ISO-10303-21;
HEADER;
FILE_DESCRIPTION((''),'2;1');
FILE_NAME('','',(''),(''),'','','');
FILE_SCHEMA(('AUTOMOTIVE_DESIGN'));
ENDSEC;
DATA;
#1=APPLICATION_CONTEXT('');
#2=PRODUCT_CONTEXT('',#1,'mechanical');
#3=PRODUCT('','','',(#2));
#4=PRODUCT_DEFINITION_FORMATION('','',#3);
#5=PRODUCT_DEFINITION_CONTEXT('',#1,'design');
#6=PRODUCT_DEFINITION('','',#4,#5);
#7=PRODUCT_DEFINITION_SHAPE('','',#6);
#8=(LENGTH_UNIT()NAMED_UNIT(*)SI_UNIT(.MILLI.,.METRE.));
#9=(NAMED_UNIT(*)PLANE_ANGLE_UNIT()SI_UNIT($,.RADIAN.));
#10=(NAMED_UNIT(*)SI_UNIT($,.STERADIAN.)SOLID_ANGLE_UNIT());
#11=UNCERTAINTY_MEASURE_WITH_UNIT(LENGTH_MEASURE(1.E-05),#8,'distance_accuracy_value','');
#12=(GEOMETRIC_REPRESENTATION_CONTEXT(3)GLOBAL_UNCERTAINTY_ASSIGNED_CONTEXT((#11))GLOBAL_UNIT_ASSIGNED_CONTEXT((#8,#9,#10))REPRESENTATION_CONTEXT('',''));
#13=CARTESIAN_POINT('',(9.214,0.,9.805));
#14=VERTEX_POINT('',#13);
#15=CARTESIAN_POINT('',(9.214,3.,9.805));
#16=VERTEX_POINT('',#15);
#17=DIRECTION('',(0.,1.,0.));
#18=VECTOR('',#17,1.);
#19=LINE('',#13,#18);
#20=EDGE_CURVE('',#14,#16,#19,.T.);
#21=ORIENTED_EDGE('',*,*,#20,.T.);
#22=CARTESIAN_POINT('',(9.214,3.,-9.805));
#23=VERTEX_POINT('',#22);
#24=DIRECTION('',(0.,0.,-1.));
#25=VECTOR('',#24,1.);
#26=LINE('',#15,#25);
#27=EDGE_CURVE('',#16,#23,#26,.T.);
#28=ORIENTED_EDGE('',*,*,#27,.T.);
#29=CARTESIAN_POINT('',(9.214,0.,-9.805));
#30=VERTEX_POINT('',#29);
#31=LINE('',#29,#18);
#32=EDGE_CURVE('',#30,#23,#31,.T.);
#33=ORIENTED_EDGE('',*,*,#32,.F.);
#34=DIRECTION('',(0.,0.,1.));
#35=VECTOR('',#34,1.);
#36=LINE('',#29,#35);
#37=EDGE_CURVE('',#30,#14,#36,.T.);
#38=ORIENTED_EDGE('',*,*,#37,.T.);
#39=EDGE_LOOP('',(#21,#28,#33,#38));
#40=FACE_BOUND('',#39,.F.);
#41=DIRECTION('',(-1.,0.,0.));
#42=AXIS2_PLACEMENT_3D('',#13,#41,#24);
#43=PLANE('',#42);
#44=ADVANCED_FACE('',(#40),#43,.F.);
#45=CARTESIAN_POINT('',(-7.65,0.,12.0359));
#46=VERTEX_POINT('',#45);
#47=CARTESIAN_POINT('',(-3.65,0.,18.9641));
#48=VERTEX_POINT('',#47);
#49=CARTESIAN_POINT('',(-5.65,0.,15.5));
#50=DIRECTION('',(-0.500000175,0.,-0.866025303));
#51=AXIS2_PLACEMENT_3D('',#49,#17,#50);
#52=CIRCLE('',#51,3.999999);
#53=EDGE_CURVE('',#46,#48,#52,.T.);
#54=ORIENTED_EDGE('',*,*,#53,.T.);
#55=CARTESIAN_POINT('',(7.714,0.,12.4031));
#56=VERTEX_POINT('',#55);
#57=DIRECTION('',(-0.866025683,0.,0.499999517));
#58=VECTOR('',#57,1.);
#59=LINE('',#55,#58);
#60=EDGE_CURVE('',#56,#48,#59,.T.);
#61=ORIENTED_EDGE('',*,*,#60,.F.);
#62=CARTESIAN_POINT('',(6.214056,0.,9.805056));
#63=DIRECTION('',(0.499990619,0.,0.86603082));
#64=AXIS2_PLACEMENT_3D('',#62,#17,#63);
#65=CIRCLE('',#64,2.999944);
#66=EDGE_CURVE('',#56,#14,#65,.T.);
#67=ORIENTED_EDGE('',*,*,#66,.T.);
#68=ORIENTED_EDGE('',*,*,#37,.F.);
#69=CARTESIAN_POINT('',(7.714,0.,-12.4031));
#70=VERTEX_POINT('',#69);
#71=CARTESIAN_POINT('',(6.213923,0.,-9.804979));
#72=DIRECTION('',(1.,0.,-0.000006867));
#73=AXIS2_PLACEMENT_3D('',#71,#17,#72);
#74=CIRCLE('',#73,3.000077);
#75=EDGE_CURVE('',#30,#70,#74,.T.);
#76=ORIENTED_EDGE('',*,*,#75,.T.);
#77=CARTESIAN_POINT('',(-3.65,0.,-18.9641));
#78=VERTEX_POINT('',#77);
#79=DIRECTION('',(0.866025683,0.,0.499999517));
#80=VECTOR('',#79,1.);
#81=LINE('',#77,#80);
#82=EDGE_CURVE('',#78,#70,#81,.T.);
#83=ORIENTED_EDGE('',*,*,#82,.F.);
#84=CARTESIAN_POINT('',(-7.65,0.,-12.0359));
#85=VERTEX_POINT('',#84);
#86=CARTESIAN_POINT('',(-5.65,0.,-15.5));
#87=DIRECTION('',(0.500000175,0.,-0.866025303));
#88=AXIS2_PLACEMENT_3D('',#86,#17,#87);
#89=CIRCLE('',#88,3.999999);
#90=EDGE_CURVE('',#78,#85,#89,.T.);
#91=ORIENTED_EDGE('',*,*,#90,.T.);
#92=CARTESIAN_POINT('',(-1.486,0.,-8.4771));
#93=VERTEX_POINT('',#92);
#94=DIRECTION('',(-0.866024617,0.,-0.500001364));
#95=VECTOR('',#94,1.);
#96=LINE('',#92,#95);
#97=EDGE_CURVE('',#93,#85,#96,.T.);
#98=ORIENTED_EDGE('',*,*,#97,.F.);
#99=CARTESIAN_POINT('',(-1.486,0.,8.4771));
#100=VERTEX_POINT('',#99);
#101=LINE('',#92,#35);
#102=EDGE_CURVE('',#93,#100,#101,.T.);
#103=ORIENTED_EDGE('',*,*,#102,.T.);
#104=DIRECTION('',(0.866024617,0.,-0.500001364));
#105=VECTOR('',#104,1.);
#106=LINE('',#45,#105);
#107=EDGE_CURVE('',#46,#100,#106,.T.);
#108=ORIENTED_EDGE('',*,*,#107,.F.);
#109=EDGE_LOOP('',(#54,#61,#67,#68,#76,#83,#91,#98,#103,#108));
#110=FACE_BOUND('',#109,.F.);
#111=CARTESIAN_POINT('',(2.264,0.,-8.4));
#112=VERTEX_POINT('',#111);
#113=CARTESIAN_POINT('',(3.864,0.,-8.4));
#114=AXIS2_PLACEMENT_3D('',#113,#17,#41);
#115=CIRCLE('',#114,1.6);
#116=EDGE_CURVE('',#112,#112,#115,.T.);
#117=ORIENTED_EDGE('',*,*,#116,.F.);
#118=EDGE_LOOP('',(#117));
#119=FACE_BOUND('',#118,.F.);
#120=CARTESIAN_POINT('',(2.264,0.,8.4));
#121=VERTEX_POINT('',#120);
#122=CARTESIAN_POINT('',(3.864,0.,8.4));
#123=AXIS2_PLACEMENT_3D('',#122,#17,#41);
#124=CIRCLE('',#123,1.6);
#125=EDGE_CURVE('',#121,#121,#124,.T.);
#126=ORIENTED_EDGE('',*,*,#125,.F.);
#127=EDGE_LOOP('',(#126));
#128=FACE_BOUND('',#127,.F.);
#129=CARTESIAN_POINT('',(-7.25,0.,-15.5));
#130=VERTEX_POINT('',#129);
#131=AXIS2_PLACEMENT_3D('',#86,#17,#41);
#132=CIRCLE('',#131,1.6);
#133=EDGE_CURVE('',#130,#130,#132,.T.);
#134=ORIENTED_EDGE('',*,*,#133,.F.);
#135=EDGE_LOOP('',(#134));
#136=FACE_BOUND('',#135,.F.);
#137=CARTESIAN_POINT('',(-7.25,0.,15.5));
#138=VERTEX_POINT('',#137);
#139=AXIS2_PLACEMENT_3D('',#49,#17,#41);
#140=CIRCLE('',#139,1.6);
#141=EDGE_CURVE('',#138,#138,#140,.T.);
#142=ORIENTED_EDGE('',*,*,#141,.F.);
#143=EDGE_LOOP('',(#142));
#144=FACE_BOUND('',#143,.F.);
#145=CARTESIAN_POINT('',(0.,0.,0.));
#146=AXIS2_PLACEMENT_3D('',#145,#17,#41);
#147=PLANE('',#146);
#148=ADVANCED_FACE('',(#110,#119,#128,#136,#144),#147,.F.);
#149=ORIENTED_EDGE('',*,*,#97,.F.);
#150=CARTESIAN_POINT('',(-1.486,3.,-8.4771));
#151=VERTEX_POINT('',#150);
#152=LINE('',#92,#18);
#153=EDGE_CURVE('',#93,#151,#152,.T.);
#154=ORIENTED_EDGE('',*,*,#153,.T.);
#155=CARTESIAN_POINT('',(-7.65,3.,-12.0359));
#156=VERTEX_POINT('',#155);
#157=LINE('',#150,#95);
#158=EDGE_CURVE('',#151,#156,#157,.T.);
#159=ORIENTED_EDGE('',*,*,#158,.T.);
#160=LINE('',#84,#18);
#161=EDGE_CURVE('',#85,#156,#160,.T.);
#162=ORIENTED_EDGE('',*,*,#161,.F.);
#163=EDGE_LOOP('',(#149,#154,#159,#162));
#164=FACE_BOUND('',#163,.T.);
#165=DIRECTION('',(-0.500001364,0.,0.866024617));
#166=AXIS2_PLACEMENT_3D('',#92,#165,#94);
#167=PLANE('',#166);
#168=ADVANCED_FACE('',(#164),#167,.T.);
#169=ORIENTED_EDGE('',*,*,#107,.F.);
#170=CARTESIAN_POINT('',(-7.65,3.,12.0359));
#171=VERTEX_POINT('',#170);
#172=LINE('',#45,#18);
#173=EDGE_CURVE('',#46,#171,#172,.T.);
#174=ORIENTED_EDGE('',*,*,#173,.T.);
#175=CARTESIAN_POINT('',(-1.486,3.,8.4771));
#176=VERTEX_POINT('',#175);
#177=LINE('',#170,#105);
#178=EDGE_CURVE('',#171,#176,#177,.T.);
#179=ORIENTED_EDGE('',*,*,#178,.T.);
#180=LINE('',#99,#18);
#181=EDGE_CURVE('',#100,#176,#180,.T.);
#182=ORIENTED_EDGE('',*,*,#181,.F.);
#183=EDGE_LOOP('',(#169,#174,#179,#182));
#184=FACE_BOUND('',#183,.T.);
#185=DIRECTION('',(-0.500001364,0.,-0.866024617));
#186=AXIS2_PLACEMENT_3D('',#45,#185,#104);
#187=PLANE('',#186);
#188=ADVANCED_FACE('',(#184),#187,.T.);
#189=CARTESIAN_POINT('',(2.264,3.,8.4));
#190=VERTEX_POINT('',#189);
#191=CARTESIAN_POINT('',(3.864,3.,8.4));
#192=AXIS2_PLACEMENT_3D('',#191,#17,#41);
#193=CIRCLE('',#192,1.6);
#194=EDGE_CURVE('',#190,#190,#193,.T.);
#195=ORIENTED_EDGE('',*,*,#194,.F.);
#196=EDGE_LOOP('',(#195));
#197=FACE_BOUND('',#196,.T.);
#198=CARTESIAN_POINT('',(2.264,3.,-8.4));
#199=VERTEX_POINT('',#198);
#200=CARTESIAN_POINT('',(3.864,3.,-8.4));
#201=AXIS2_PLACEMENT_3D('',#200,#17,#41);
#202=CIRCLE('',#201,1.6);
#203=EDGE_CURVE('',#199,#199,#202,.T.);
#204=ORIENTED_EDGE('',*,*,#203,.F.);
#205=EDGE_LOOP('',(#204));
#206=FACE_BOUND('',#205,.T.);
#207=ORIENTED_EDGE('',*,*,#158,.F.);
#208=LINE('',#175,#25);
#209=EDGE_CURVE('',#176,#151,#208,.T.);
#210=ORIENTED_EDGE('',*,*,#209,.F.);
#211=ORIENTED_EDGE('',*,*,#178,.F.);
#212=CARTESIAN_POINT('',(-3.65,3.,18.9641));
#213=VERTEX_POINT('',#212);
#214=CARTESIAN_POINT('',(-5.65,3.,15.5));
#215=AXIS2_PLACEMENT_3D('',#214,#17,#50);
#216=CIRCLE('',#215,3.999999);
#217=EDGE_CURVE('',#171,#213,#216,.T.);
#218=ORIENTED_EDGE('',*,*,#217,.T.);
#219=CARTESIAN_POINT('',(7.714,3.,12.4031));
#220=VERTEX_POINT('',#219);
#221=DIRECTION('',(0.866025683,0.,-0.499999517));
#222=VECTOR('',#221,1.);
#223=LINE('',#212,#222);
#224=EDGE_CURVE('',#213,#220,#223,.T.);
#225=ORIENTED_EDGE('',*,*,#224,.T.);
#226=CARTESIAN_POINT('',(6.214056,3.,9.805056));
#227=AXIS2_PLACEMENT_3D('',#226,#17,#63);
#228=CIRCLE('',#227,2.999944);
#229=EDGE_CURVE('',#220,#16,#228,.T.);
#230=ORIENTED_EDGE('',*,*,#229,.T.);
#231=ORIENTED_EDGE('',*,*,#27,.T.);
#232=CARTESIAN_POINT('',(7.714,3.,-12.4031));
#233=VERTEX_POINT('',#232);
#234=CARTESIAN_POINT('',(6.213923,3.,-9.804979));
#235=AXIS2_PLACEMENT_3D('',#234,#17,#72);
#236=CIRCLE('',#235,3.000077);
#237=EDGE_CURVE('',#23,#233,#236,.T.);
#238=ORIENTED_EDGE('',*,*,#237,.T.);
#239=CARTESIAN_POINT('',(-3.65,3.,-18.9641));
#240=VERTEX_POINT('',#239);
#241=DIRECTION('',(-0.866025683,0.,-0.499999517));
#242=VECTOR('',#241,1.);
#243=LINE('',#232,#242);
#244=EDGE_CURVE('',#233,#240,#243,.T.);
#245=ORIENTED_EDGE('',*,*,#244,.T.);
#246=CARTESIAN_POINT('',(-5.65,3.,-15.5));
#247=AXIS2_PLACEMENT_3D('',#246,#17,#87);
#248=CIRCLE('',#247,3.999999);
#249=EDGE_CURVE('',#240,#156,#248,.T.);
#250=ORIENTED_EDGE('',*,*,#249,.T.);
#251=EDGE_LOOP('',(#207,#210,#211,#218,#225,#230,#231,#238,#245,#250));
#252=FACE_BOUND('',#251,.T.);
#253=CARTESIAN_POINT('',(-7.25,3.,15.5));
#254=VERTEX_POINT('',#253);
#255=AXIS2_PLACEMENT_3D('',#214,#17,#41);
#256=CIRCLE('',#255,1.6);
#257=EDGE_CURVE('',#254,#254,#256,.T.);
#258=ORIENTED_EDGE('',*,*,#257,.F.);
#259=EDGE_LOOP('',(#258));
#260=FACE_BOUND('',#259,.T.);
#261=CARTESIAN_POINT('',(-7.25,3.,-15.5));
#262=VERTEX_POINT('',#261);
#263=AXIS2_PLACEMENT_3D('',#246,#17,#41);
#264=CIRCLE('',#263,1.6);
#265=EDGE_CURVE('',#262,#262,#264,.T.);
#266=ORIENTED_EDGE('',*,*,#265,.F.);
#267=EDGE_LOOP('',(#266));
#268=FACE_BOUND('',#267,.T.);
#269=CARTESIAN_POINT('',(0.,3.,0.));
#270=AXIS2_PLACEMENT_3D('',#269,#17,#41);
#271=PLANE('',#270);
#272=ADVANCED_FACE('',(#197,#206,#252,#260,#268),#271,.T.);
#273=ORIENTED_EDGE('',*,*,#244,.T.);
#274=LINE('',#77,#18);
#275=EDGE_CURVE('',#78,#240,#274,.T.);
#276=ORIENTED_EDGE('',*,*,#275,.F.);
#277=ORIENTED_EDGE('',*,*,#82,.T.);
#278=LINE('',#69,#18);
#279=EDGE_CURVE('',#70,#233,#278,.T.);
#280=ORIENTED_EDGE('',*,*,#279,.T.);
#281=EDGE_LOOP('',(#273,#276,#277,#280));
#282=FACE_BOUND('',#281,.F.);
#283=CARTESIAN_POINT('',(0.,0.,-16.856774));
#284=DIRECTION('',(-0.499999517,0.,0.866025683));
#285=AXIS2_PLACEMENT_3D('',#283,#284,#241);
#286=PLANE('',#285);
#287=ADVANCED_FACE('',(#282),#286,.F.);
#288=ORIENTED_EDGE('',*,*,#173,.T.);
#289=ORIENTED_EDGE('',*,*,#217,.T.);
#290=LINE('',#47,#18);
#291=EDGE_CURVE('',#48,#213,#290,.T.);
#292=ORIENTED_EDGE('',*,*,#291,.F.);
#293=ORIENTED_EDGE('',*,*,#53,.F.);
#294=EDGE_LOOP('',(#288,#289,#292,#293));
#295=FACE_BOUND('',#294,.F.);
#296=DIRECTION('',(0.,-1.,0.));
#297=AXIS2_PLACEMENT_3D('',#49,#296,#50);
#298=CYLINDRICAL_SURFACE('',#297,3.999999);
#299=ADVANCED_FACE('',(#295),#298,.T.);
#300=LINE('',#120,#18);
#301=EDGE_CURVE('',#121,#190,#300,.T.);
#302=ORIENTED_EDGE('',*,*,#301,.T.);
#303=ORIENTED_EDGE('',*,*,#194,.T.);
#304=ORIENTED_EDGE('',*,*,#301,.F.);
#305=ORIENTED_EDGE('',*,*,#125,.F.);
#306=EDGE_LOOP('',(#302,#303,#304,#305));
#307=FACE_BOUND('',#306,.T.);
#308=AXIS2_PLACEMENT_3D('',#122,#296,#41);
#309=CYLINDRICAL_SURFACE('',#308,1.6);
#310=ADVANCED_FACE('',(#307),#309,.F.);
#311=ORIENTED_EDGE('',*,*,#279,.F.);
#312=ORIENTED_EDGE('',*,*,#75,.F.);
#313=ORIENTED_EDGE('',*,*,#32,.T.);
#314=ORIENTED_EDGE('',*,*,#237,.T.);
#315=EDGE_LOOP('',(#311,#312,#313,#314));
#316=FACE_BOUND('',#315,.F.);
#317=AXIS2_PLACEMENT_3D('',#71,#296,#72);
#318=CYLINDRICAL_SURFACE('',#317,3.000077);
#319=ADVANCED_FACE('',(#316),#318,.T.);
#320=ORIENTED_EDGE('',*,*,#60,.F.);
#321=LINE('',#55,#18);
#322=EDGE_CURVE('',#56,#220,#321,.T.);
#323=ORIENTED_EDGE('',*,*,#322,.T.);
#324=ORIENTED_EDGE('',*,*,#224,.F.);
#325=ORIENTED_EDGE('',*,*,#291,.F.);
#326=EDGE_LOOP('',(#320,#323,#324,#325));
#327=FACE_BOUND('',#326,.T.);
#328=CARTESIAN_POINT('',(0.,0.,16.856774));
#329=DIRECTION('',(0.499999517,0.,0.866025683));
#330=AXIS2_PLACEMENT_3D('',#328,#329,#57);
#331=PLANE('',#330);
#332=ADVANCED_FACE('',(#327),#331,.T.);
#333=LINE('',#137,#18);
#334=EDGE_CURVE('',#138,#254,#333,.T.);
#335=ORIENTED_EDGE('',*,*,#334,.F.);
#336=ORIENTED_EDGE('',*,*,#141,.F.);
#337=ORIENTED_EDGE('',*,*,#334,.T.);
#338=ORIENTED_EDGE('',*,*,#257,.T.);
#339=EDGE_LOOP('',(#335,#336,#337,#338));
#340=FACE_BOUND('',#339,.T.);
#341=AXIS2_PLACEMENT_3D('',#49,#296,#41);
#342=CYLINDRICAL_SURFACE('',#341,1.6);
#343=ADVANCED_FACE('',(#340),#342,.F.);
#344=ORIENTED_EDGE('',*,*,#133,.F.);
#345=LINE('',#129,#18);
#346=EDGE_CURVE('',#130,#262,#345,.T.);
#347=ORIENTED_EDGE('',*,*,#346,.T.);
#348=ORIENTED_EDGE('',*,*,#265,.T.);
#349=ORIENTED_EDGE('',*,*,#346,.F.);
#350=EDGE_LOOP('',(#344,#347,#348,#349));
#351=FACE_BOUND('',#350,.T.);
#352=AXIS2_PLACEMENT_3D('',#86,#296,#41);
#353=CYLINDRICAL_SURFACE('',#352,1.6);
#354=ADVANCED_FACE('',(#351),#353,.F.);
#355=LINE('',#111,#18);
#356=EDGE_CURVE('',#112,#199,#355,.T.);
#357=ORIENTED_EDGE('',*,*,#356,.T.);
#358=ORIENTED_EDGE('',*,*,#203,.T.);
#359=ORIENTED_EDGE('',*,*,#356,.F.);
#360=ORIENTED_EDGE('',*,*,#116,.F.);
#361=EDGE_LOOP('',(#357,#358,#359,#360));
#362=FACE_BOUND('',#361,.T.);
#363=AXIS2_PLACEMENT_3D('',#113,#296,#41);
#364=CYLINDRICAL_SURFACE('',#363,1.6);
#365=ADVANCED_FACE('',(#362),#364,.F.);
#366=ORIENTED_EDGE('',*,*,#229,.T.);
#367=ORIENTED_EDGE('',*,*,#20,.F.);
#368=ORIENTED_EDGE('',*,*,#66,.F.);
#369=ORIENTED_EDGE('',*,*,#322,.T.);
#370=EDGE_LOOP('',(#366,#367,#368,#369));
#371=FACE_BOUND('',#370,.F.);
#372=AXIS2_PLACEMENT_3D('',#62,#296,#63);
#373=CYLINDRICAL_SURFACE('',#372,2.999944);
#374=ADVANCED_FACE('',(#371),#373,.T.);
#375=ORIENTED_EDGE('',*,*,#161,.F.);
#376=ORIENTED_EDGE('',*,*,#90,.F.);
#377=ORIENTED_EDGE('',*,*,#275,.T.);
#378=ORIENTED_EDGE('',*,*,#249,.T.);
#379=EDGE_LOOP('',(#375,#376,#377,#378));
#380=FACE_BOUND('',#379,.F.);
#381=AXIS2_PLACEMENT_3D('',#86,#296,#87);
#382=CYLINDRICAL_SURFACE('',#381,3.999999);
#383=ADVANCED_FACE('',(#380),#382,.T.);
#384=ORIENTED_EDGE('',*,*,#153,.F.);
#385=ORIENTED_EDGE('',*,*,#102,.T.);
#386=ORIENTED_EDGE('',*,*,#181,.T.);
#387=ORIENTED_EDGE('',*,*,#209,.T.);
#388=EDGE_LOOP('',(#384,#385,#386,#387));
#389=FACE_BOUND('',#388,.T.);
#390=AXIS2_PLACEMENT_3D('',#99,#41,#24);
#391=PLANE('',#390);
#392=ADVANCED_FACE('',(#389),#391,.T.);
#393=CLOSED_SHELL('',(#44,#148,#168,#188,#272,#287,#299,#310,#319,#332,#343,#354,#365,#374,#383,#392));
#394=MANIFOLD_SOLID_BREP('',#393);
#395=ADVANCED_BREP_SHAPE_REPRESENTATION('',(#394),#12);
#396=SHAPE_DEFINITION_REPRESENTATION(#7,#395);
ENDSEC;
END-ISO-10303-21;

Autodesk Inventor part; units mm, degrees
ref_plane "YZ Plane" through (0, 0, 0) normal (1, 0, 0) x (0, 1, 0)
ref_plane "XZ Plane" through (0, 0, 0) normal (0, 1, 0) x (-1, 0, 0)
ref_plane "XY Plane" through (0, 0, 0) normal (0, 0, 1) x (1, 0, 0)
sketch "Sketch1" plane through (0, 0, 0) normal (0, 1, 0) x (-1, 0, 0)
  circle A0 centre (5.65, 15.5) radius 1.6
  circle A1 centre (5.65, -15.5) radius 1.6
  arc A2 (7.65, 12.0359) -> (3.65, 18.9641) centre (5.65, 15.5) ccw
  arc A3 (3.65, -18.9641) -> (7.65, -12.0359) centre (5.65, -15.5) ccw
  line L0 (5.65, 15.5) -> (5.65, -15.5) construction
  circle A4 centre (-3.864, 8.4) radius 1.6
  circle A5 centre (-3.864, -8.4) radius 1.6
  line L1 (15.2493, 0) -> (-13.6973, 0) projected
  line L2 (0, -29.3497) -> (0, 29.3497) projected
  line L3 (-3.864, 8.4) -> (-3.864, -8.4) construction
  line L4 (-3.864, 11.8064) -> (-0.914, 10.1032)
  line L5 (-0.914, 10.1032) -> (-0.914, 6.6968)
  line L6 (-0.914, 6.6968) -> (-3.864, 4.9936)
  line L7 (-3.864, 4.9936) -> (-6.814, 6.6968)
  line L8 (-6.814, 6.6968) -> (-6.814, 10.1032)
  line L9 (-6.814, 10.1032) -> (-3.864, 11.8064)
  line L10 (-3.864, -4.9936) -> (-0.914, -6.6968)
  line L11 (-0.914, -6.6968) -> (-0.914, -10.1032)
  line L12 (-0.914, -10.1032) -> (-3.864, -11.8064)
  line L13 (-3.864, -11.8064) -> (-6.814, -10.1032)
  line L14 (-6.814, -10.1032) -> (-6.814, -6.6968)
  line L15 (-6.814, -6.6968) -> (-3.864, -4.9936)
  line L16 (-9.214, 9.805) -> (-9.214, -9.805)
  line L17 (-7.714, -12.4031) -> (3.65, -18.9641)
  line L18 (-7.714, 12.4031) -> (3.65, 18.9641)
  arc A6 (-7.714, 12.4031) -> (-9.214, 9.805) centre (-6.214, 9.805) ccw
  arc A7 (-9.214, -9.805) -> (-7.714, -12.4031) centre (-6.214, -9.805) ccw
  line L19 (7.65, 12.0359) -> (1.486, 8.4771)
  line L20 (1.486, 8.4771) -> (1.486, -8.4771)
  line L21 (1.486, -8.4771) -> (7.65, -12.0359)
  point P0 (0, 0)
  dimension "d0" = 31
  dimension "d2" = 3.2
  dimension "d3" = 3.2
  dimension "d6" = 8
  dimension "d7" = 8
  dimension "d32" = 16.8
  dimension "d33" = 15.5
  dimension "d34" = 8.4
  dimension "d35" = 5.65
  dimension "d36" = 3.864
  dimension "d37" = 3.2
  dimension "d38" = 3.2
  dimension "d39" = 5.9
  dimension "d40" = 5.9
  dimension "d41" = 2.4
  dimension "d42" = 3
  dimension "d45" = 2.4
extrude "Extrusion5" add sketch "Sketch1" along normal blind 3 contours L19 L20 L1 L2 L18 A2 | L2 L1 L16 A6 L18 | L20 L21 A3 L17 L2 L1 | L2 L17 A7 L16 L1 | L4 L5 L6 L7 L8 L9 | L10 L11 L12 L13 L14 L15
equation "\"d33\" = 0.5 * d0"
equation "\"d34\" = 0.5 * d32"
equation "\"d40\" = d39"
equation "\"d45\" = d41"
properties part number "TestMount"
